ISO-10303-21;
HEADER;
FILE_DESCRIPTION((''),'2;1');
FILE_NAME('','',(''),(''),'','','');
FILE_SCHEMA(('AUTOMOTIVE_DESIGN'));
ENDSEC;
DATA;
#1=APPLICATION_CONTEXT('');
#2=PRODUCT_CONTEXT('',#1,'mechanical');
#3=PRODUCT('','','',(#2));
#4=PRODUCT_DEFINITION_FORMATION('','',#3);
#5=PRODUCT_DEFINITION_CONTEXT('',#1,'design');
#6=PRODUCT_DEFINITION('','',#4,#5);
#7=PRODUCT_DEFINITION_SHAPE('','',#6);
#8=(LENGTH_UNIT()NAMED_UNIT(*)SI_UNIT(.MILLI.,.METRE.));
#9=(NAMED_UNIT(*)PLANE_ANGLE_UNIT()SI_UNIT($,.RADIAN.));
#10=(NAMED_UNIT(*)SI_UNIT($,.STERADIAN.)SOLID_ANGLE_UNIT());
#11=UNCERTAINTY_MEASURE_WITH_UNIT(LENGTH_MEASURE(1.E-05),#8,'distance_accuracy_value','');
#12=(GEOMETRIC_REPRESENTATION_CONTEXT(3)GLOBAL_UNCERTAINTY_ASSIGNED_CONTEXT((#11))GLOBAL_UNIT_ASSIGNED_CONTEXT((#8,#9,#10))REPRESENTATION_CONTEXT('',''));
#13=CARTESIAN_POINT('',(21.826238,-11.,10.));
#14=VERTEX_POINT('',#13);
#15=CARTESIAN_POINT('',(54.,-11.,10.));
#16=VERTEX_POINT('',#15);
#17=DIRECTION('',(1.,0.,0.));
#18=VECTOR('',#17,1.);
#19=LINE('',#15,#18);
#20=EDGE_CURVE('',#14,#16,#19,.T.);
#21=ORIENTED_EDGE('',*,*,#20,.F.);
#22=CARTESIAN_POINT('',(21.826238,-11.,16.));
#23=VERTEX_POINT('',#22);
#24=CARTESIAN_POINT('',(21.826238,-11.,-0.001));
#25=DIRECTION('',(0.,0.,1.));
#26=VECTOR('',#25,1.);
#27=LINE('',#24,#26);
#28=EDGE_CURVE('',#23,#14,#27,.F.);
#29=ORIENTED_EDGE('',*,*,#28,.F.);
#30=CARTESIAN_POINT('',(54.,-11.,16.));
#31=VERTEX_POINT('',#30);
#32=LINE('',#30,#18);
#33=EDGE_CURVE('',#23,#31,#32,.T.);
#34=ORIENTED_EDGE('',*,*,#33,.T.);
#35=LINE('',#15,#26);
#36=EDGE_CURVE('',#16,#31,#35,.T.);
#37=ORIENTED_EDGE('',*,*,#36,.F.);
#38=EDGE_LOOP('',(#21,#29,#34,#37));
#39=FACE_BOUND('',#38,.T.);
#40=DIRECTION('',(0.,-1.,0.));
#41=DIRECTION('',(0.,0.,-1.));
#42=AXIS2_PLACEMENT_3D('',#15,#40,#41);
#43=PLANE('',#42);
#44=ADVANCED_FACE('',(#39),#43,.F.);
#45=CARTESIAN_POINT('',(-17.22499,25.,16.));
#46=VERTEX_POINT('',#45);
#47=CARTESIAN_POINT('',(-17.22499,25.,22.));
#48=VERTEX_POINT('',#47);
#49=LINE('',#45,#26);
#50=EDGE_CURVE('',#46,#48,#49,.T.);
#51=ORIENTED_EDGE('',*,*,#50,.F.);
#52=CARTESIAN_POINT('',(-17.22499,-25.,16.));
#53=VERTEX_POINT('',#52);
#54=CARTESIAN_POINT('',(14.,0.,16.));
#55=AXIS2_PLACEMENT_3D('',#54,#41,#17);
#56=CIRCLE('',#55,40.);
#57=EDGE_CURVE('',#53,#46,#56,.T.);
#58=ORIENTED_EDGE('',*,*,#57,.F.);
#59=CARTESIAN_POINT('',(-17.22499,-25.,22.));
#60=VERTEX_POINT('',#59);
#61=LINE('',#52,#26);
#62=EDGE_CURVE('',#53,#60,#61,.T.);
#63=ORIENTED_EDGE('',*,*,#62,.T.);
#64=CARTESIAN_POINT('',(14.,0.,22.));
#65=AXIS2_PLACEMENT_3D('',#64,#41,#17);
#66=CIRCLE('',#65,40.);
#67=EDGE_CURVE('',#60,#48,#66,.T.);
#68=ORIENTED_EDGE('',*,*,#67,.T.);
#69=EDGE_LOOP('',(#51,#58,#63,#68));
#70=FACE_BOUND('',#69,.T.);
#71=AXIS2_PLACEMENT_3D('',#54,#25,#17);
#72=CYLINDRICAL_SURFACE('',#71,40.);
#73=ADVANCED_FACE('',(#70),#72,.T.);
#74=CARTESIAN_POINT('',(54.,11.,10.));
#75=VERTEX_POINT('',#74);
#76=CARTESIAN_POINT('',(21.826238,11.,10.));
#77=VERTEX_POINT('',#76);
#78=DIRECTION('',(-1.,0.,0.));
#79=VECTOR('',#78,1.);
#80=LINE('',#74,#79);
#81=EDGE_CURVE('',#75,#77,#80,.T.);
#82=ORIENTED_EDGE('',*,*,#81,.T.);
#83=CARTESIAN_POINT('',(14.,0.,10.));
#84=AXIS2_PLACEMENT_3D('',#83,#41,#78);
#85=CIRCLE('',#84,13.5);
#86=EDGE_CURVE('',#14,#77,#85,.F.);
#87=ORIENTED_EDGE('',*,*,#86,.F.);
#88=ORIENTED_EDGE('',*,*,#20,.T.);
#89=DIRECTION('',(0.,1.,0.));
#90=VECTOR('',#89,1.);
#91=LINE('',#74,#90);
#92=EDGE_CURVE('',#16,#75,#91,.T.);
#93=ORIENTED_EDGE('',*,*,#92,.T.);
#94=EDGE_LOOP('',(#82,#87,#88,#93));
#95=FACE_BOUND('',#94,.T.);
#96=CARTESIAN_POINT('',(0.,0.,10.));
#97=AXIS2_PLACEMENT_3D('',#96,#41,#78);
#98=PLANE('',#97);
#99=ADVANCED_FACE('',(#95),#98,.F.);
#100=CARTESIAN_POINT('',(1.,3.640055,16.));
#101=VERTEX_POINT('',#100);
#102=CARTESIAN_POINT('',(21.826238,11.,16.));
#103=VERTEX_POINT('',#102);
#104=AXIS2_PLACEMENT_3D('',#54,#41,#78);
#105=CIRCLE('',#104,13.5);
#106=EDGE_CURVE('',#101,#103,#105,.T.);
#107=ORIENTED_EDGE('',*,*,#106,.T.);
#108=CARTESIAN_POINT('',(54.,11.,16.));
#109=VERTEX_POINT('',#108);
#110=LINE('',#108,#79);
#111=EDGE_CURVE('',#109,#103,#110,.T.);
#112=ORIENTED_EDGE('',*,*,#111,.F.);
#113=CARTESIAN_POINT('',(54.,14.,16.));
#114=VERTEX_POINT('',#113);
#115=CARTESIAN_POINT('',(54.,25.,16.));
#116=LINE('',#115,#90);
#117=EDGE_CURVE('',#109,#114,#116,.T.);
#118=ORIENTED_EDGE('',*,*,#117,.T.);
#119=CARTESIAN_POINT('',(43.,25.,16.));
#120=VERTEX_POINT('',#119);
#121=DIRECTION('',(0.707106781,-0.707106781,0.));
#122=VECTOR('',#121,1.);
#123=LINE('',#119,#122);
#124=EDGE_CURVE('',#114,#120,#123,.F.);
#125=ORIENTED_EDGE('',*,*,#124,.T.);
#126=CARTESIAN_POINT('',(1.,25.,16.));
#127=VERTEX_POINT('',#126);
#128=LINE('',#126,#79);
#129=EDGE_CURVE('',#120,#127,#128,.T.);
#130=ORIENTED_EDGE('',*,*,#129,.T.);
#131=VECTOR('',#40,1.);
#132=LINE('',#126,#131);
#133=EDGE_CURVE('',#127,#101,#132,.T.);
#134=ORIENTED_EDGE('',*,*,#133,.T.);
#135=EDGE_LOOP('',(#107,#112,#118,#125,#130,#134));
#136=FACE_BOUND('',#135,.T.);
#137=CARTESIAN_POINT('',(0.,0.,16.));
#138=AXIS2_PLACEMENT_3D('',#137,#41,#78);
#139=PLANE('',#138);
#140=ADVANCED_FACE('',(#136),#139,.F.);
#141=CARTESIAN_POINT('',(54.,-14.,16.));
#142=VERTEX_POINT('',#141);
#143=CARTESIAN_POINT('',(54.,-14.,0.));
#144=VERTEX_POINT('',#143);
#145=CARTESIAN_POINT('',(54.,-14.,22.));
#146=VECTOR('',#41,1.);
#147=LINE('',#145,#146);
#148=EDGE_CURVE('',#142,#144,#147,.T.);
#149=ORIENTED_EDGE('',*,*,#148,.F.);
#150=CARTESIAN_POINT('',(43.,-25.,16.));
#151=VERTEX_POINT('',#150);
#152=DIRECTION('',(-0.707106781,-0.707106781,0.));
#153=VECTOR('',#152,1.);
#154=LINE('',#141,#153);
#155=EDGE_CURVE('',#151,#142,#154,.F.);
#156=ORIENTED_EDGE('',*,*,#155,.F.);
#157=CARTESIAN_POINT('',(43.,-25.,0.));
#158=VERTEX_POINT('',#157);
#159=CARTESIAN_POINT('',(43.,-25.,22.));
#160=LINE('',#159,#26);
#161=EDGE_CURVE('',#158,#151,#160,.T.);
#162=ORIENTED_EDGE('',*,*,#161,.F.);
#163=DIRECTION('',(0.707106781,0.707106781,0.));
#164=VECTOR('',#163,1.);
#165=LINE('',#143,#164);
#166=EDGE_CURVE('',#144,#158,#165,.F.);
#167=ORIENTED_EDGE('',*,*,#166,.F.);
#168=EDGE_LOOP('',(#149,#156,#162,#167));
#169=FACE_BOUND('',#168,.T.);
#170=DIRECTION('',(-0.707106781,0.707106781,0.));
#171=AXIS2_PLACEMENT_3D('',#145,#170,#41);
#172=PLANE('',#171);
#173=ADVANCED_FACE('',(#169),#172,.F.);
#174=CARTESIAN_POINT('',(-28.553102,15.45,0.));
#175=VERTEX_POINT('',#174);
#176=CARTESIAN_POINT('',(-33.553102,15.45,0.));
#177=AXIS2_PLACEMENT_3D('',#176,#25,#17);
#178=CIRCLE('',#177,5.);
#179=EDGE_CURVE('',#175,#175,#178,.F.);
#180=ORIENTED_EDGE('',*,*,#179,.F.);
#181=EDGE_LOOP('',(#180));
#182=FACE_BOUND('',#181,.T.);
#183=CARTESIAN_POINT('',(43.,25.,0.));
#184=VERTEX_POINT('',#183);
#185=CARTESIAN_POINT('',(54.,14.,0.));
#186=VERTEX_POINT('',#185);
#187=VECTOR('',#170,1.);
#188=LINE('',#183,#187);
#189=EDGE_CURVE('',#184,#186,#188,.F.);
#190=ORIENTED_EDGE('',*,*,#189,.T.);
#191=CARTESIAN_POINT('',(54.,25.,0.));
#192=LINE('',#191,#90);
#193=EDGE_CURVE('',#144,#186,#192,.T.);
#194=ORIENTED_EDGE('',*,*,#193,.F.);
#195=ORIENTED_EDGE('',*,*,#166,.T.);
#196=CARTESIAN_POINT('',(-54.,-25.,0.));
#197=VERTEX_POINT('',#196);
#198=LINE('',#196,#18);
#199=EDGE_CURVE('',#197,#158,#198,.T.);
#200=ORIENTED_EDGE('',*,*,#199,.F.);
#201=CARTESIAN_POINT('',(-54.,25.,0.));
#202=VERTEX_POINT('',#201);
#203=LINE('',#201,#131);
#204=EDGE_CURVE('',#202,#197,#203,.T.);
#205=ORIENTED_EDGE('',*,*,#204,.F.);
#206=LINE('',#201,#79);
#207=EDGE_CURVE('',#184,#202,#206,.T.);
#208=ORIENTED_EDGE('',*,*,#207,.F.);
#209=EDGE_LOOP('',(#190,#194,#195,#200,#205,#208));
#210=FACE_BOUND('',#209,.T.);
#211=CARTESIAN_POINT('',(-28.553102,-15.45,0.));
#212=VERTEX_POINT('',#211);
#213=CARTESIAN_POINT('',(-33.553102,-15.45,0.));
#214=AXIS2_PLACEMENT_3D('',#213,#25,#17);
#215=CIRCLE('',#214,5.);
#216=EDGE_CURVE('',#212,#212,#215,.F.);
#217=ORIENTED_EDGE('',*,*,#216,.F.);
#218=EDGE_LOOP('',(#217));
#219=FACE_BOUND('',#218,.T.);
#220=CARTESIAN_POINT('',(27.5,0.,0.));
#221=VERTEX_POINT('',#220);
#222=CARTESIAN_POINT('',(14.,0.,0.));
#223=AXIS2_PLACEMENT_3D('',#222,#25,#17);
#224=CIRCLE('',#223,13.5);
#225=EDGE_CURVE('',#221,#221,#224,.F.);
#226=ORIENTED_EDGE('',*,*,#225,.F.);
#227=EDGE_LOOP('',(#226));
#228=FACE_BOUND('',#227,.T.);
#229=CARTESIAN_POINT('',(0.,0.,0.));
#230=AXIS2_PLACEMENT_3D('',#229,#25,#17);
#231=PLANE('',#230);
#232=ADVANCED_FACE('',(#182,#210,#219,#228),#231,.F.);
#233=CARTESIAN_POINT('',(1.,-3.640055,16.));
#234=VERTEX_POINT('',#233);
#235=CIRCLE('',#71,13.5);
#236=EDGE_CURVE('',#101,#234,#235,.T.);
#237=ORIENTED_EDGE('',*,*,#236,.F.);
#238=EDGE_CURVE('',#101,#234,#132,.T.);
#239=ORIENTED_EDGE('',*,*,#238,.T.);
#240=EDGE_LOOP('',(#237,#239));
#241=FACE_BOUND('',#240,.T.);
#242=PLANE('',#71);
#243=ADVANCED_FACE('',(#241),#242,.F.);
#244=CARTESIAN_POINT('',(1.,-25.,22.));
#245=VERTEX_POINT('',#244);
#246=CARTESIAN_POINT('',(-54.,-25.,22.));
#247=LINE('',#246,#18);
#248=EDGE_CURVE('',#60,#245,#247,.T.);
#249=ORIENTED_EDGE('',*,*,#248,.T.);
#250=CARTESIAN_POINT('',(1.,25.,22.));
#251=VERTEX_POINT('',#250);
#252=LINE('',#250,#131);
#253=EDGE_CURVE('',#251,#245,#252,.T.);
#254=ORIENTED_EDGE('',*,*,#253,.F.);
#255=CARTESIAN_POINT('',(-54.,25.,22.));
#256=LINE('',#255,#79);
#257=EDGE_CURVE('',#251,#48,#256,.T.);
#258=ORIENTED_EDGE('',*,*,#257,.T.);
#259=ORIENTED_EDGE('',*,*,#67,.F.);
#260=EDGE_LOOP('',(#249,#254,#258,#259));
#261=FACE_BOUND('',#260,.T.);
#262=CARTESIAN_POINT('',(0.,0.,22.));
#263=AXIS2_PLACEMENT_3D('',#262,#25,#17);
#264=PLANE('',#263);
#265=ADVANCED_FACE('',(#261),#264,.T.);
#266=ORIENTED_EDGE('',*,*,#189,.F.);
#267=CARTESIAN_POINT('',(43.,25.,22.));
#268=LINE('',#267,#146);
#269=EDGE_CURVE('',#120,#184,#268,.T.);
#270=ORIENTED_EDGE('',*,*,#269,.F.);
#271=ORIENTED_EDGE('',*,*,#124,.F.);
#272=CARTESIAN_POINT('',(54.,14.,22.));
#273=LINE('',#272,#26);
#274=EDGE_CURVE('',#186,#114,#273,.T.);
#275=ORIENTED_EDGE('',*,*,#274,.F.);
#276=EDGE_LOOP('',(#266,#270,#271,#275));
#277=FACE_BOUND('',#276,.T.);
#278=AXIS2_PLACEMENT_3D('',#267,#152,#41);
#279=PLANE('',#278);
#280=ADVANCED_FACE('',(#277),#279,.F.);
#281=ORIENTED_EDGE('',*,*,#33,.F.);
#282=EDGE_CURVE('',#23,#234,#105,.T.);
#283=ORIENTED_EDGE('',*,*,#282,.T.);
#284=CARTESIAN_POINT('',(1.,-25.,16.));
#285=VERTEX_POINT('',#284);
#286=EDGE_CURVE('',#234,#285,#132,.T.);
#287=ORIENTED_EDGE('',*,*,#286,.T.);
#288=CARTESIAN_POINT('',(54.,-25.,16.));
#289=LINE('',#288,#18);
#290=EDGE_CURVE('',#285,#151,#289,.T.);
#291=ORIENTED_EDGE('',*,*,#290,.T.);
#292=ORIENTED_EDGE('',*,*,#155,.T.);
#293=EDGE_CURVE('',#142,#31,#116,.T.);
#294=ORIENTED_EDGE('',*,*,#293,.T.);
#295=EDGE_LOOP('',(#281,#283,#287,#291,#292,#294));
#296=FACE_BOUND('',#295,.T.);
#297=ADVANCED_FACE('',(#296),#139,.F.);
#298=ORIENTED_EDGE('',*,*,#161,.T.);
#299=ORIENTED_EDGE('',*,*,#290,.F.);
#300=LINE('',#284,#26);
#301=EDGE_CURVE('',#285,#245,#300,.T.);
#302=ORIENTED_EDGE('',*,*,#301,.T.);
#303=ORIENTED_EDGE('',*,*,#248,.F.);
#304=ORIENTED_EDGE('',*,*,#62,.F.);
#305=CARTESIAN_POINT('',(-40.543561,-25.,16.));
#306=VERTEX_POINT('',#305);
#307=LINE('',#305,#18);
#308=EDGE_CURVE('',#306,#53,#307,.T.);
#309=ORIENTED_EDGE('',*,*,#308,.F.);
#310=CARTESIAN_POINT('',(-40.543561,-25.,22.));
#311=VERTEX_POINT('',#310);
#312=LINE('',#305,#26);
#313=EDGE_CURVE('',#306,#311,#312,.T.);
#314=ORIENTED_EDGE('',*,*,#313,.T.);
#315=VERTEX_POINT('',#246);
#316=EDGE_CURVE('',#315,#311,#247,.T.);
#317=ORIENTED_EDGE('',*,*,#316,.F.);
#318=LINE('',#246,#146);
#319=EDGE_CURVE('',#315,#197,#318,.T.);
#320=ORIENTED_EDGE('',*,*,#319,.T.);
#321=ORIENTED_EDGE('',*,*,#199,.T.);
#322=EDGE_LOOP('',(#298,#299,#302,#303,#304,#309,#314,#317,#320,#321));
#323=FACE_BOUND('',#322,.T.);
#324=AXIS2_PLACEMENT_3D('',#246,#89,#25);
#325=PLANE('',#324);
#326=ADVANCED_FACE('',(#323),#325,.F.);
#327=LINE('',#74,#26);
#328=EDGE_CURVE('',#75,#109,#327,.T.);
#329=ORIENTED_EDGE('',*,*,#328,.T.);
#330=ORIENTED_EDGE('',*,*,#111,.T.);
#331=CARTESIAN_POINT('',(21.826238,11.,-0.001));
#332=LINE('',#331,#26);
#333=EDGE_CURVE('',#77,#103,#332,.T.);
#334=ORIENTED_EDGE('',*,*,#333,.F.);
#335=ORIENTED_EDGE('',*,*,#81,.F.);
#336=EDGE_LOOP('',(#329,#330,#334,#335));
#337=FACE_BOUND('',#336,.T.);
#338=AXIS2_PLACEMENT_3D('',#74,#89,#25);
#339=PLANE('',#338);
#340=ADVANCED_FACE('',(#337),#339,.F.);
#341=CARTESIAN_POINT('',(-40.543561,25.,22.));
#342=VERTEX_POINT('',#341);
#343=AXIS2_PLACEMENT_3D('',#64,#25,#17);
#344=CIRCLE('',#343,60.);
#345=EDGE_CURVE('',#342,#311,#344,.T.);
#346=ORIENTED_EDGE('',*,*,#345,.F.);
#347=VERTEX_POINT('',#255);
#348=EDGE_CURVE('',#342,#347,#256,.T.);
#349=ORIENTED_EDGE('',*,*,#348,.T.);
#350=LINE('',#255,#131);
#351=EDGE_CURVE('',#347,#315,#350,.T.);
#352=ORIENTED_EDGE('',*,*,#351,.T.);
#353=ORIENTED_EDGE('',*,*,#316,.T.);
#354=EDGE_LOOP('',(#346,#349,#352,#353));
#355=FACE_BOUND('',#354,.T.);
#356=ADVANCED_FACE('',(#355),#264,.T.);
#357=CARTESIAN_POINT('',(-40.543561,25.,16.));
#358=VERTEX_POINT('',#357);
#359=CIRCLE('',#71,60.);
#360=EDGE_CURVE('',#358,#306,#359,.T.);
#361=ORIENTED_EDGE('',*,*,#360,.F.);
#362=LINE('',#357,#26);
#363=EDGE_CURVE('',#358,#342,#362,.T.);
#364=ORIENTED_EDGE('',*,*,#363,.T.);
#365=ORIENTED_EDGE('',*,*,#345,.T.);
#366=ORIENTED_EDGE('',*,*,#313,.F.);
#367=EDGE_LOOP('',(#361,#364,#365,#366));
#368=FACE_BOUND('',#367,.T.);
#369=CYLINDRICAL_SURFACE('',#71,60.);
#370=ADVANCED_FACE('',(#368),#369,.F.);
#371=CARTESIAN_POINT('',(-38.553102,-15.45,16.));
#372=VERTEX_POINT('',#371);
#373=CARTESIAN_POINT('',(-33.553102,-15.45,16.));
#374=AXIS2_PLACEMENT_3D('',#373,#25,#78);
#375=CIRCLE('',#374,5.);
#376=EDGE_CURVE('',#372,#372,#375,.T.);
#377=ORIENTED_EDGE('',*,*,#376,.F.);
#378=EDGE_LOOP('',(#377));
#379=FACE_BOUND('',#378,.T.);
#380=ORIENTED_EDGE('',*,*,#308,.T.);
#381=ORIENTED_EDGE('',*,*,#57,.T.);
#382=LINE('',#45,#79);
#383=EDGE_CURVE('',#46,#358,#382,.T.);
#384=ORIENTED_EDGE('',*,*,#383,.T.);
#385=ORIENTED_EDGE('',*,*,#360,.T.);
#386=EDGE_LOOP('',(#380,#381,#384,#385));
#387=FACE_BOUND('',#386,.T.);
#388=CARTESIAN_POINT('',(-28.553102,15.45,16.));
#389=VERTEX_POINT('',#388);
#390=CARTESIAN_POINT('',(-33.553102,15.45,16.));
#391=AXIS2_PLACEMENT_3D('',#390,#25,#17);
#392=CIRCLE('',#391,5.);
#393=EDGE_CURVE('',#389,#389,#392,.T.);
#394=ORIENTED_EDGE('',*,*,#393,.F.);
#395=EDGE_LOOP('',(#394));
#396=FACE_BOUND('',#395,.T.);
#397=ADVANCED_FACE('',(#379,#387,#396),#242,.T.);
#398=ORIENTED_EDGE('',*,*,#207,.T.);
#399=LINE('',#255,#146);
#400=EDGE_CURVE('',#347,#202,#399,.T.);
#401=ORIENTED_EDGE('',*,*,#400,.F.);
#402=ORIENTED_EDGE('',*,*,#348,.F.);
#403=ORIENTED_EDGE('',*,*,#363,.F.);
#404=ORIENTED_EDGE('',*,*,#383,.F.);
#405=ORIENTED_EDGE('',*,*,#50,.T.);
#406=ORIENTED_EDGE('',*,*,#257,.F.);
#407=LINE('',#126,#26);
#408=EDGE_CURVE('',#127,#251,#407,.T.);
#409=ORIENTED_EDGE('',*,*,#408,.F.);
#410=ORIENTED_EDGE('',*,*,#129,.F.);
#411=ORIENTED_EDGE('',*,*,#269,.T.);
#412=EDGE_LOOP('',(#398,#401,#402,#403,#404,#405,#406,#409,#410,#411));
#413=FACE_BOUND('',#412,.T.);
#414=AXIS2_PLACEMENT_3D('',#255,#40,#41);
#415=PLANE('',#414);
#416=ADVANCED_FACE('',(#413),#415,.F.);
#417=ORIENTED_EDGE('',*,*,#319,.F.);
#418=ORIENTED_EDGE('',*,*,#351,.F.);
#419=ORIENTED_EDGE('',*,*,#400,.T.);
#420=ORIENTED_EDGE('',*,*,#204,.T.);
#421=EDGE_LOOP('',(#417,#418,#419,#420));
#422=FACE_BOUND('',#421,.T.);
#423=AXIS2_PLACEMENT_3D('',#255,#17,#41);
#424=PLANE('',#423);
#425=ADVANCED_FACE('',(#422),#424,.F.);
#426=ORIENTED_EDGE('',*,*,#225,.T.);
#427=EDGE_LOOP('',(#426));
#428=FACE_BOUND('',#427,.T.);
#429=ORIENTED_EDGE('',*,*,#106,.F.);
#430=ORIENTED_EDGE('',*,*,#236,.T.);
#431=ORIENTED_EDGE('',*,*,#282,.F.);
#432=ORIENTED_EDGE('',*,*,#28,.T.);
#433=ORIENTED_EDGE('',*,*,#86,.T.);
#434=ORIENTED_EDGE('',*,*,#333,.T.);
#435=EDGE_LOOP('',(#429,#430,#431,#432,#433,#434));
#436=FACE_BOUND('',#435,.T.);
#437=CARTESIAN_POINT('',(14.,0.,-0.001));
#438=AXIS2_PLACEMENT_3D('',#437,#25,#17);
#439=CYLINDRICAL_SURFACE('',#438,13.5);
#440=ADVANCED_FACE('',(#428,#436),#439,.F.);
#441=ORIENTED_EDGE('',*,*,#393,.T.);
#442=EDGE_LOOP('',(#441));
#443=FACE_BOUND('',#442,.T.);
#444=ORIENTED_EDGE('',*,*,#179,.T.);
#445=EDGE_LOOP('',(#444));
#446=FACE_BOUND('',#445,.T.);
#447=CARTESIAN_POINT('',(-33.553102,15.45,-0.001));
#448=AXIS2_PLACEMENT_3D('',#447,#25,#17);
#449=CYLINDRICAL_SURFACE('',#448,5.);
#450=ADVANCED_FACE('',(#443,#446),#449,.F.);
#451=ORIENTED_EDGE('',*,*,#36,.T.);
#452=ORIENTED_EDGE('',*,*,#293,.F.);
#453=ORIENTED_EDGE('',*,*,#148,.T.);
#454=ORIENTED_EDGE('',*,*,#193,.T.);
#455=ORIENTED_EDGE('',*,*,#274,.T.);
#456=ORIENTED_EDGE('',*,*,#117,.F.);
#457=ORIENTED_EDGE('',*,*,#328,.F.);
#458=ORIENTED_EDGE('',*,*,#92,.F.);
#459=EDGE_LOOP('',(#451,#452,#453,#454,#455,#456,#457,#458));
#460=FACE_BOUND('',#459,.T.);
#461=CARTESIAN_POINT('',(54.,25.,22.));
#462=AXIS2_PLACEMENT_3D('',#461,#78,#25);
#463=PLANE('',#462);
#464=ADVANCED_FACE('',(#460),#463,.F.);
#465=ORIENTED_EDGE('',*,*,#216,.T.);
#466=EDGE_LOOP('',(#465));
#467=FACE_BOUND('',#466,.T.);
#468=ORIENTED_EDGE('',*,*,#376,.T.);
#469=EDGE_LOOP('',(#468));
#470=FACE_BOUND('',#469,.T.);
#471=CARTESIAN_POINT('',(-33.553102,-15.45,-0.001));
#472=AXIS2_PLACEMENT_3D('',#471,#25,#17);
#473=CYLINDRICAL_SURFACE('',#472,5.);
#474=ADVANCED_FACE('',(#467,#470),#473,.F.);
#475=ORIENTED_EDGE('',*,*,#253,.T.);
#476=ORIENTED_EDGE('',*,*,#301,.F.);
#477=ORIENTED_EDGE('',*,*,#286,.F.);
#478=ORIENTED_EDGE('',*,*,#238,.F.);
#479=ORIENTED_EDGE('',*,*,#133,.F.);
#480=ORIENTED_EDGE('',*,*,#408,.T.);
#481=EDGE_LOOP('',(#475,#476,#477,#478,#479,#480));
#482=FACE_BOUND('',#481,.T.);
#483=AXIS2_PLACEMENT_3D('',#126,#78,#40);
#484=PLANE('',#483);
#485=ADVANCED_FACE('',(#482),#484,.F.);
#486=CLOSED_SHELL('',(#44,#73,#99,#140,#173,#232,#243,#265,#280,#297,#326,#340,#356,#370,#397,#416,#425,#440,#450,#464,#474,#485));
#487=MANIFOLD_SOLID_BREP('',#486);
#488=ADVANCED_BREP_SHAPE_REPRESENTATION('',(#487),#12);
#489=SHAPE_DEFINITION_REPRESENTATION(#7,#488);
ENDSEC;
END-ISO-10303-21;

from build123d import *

# Parameters (mm, degrees)
SKETCH1_W           = 108
SKETCH1_H           = 50
BOSS_EXTRUDE1_DEPTH = 22
SKETCH2_W           = 53
SKETCH2_H           = 50
CUT_EXTRUDE1_DEPTH  = 6
CUT_EXTRUDE2_REACH  = 63.62
SKETCH3_R           = 13.5
SKETCH4_W           = 40
SKETCH4_H           = 22
CUT_EXTRUDE3_DEPTH  = 6
CHAMFER1_SIZE       = 11
CUT_EXTRUDE4_REACH  = 63.62
SKETCH5_R           = 5


with BuildPart() as part:
    # Sketch1 → Boss-Extrude1 (new body)
    with BuildSketch(Plane.XY):
        Rectangle(SKETCH1_W, SKETCH1_H)
    extrude(amount=BOSS_EXTRUDE1_DEPTH)

    # Sketch2 → Cut-Extrude1 (cut)
    with BuildSketch(Plane.XY.offset(22)):
        with Locations((27.5, 0)):
            Rectangle(SKETCH2_W, SKETCH2_H)
        with BuildLine():
            Line((-17.224989992, 25), (-40.543560573, 25))
            ThreePointArc((-40.543560573, 25), (-46, 0), (-40.543560573, -25))
            Line((-40.543560573, -25), (-17.224989992, -25))
            ThreePointArc((-17.224989992, -25), (-26, 0), (-17.224989992, 25))
        make_face()
    extrude(amount=-CUT_EXTRUDE1_DEPTH, mode=Mode.SUBTRACT)

    # Sketch3 → Cut-Extrude2 (cut, up to next)
    with BuildSketch(Plane.XY.offset(16), mode=Mode.PRIVATE) as cut_extrude2_sk1:
        with Locations((14, 0)):
            Circle(SKETCH3_R)
    cut_extrude2_tool1 = extrude(cut_extrude2_sk1.sketch, amount=-CUT_EXTRUDE2_REACH, mode=Mode.PRIVATE) & part.part
    add(cut_extrude2_tool1.solids().sort_by_distance((14, 0, 16))[0], mode=Mode.SUBTRACT)

    # Sketch4 → Cut-Extrude3 (cut)
    with BuildSketch(Plane.XY.offset(16)):
        with Locations((34, 0)):
            Rectangle(SKETCH4_W, SKETCH4_H)
    extrude(amount=-CUT_EXTRUDE3_DEPTH, mode=Mode.SUBTRACT)

    # Chamfer1
    chamfer1_edges = [part.edges().sort_by_distance(p)[0] for p in [
        (54, -25, 8),
        (54, 25, 8),
    ]]
    chamfer(chamfer1_edges, length=CHAMFER1_SIZE)

    # Sketch5 → Cut-Extrude4 (cut, up to next)
    with BuildSketch(Plane.XY.offset(16), mode=Mode.PRIVATE) as cut_extrude4_sk1:
        with Locations((-33.553101897, 15.45)):
            Circle(SKETCH5_R)
    cut_extrude4_tool1 = extrude(cut_extrude4_sk1.sketch, amount=-CUT_EXTRUDE4_REACH, mode=Mode.PRIVATE) & part.part
    # Sketch5 → Cut-Extrude4 (cut, up to next)
    with BuildSketch(Plane.XY.offset(16), mode=Mode.PRIVATE) as cut_extrude4_sk2:
        with Locations((-33.553101897, -15.45)):
            Circle(SKETCH5_R)
    cut_extrude4_tool2 = extrude(cut_extrude4_sk2.sketch, amount=-CUT_EXTRUDE4_REACH, mode=Mode.PRIVATE) & part.part
    add(cut_extrude4_tool1.solids().sort_by_distance((-33.553102, 15.45, 16))[0], mode=Mode.SUBTRACT)
    add(cut_extrude4_tool2.solids().sort_by_distance((-33.553102, -15.45, 16))[0], mode=Mode.SUBTRACT)


solid = part.part
